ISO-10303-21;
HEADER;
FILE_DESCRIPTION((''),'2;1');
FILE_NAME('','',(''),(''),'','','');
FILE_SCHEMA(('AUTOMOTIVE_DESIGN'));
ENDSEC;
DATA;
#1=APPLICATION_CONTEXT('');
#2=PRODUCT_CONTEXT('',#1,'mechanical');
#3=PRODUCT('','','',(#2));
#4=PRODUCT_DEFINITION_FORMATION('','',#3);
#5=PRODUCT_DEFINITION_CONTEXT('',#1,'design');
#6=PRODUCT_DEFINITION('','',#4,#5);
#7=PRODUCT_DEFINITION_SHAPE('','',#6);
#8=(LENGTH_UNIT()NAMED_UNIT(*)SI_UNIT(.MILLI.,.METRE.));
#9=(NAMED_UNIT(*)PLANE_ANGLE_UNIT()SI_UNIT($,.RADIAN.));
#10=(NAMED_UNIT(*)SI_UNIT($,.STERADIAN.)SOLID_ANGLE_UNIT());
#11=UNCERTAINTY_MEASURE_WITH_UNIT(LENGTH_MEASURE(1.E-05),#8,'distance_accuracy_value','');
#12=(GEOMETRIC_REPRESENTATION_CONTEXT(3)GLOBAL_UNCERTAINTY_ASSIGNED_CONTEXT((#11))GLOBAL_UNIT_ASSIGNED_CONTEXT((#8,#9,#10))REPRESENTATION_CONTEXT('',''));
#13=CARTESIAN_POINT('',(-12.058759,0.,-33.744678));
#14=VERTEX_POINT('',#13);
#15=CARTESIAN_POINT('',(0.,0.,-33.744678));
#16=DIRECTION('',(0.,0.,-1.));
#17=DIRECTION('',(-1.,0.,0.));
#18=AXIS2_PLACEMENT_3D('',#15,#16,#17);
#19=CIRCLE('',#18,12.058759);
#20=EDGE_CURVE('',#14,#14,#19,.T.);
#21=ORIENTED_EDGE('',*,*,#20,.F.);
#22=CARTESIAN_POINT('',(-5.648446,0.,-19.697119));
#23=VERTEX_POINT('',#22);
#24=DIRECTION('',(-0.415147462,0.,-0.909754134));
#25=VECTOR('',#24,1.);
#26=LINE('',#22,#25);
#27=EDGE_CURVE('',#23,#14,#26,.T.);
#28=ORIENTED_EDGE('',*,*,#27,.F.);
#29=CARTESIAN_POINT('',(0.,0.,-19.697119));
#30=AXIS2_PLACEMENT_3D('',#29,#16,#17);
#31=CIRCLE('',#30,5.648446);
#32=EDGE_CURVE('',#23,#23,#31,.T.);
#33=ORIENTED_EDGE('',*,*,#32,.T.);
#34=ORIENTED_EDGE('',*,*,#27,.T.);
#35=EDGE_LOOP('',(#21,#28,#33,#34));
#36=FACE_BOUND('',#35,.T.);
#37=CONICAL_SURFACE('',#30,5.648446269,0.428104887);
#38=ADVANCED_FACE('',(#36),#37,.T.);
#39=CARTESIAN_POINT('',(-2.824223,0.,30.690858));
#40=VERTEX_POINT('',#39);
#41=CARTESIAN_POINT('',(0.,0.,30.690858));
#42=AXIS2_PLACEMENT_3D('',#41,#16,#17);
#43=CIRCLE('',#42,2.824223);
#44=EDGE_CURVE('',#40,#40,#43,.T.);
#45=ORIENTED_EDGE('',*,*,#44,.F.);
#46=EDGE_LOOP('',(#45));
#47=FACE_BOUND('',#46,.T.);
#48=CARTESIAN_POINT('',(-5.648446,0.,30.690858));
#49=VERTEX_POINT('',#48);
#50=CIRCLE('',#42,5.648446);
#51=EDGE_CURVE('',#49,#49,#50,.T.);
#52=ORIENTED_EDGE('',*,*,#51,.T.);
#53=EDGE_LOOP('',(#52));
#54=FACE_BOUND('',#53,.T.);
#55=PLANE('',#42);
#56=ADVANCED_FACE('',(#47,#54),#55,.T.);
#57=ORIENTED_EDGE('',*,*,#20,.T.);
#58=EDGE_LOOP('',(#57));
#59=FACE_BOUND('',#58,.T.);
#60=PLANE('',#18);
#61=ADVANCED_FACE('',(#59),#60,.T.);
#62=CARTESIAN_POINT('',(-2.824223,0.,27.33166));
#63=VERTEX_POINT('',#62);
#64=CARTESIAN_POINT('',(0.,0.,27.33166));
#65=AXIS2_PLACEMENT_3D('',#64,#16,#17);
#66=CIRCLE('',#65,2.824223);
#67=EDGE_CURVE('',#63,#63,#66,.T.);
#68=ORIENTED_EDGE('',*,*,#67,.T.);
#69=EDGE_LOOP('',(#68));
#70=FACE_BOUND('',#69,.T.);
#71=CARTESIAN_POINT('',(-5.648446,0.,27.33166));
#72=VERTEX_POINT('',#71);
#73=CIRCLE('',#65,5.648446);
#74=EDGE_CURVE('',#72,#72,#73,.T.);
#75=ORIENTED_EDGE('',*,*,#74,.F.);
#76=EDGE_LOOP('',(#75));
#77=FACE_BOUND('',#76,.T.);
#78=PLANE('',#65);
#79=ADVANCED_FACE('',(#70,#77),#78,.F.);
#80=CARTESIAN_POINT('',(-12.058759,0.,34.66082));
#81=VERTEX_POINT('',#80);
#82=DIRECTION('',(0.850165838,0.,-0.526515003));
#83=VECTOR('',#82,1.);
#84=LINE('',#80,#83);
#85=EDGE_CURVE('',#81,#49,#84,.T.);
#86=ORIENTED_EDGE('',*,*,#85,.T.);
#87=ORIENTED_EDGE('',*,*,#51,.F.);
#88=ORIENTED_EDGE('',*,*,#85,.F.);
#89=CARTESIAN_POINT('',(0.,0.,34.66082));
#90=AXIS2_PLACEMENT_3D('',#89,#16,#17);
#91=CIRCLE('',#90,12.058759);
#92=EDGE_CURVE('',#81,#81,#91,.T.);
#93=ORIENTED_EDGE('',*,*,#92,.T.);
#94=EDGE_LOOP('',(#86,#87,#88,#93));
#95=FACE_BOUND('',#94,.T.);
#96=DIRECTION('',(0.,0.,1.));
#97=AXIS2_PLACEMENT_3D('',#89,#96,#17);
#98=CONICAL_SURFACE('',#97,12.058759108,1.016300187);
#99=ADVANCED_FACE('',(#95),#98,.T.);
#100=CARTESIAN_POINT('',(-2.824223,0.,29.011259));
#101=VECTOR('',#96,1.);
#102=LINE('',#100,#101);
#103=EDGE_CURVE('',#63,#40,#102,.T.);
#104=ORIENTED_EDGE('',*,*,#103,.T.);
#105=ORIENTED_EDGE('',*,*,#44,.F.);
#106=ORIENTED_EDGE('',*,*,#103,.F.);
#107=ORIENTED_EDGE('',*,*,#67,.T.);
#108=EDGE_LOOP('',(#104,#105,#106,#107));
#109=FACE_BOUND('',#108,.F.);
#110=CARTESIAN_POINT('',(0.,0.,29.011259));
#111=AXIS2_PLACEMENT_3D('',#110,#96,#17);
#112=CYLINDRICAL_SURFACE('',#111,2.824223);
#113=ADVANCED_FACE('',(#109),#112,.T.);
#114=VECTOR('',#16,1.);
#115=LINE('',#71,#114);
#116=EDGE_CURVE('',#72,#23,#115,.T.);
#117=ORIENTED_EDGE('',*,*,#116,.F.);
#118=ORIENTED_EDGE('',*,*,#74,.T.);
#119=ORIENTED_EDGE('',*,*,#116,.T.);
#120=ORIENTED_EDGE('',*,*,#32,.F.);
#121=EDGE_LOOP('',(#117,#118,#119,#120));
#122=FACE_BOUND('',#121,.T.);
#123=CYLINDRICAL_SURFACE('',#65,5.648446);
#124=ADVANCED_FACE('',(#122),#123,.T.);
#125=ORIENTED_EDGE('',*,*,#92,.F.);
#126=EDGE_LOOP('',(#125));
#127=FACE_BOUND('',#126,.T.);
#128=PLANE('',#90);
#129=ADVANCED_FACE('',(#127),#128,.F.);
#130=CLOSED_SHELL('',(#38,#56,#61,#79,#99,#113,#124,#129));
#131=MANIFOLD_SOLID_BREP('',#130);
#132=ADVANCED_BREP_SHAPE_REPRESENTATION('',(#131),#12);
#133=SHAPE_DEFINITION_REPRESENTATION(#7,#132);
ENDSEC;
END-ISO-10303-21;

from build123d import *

# Parameters (mm, degrees)
F0_W = 2.8242231347
F0_H = 3.3591985703


with BuildPart() as f1:
    # F0 (on Front) → F1 (revolve)
    with BuildSketch(Plane.XZ):
        Polygon((0, 34.6608199179), (-5.6484462693, 34.6608199179), (-5.6484462693, 30.6908581406), (-2.8242231347, 30.6908581406), (0, 30.6908581406), align=None)
        Polygon((-5.6484462693, 30.6908581406), (-5.6484462693, 34.6608199179), (-12.0587591082, 34.6608199179), align=None)
        Polygon((0, -19.6971185505), (0, 27.3316595703), (-2.8242231347, 27.3316595703), (-5.6484462693, 27.3316595703), (-5.6484462693, -19.6971185505), align=None)
        with Locations((-1.4121115673, 29.0112588555)):
            Rectangle(F0_W, F0_H)
        Polygon((0, -33.7446779013), (0, -19.6971185505), (-5.6484462693, -19.6971185505), (-12.0587591082, -33.7446779013), align=None)
    revolve(axis=Axis((0, 0, 3.8172705099), (0, 0, -1)))


solid = f1.part
